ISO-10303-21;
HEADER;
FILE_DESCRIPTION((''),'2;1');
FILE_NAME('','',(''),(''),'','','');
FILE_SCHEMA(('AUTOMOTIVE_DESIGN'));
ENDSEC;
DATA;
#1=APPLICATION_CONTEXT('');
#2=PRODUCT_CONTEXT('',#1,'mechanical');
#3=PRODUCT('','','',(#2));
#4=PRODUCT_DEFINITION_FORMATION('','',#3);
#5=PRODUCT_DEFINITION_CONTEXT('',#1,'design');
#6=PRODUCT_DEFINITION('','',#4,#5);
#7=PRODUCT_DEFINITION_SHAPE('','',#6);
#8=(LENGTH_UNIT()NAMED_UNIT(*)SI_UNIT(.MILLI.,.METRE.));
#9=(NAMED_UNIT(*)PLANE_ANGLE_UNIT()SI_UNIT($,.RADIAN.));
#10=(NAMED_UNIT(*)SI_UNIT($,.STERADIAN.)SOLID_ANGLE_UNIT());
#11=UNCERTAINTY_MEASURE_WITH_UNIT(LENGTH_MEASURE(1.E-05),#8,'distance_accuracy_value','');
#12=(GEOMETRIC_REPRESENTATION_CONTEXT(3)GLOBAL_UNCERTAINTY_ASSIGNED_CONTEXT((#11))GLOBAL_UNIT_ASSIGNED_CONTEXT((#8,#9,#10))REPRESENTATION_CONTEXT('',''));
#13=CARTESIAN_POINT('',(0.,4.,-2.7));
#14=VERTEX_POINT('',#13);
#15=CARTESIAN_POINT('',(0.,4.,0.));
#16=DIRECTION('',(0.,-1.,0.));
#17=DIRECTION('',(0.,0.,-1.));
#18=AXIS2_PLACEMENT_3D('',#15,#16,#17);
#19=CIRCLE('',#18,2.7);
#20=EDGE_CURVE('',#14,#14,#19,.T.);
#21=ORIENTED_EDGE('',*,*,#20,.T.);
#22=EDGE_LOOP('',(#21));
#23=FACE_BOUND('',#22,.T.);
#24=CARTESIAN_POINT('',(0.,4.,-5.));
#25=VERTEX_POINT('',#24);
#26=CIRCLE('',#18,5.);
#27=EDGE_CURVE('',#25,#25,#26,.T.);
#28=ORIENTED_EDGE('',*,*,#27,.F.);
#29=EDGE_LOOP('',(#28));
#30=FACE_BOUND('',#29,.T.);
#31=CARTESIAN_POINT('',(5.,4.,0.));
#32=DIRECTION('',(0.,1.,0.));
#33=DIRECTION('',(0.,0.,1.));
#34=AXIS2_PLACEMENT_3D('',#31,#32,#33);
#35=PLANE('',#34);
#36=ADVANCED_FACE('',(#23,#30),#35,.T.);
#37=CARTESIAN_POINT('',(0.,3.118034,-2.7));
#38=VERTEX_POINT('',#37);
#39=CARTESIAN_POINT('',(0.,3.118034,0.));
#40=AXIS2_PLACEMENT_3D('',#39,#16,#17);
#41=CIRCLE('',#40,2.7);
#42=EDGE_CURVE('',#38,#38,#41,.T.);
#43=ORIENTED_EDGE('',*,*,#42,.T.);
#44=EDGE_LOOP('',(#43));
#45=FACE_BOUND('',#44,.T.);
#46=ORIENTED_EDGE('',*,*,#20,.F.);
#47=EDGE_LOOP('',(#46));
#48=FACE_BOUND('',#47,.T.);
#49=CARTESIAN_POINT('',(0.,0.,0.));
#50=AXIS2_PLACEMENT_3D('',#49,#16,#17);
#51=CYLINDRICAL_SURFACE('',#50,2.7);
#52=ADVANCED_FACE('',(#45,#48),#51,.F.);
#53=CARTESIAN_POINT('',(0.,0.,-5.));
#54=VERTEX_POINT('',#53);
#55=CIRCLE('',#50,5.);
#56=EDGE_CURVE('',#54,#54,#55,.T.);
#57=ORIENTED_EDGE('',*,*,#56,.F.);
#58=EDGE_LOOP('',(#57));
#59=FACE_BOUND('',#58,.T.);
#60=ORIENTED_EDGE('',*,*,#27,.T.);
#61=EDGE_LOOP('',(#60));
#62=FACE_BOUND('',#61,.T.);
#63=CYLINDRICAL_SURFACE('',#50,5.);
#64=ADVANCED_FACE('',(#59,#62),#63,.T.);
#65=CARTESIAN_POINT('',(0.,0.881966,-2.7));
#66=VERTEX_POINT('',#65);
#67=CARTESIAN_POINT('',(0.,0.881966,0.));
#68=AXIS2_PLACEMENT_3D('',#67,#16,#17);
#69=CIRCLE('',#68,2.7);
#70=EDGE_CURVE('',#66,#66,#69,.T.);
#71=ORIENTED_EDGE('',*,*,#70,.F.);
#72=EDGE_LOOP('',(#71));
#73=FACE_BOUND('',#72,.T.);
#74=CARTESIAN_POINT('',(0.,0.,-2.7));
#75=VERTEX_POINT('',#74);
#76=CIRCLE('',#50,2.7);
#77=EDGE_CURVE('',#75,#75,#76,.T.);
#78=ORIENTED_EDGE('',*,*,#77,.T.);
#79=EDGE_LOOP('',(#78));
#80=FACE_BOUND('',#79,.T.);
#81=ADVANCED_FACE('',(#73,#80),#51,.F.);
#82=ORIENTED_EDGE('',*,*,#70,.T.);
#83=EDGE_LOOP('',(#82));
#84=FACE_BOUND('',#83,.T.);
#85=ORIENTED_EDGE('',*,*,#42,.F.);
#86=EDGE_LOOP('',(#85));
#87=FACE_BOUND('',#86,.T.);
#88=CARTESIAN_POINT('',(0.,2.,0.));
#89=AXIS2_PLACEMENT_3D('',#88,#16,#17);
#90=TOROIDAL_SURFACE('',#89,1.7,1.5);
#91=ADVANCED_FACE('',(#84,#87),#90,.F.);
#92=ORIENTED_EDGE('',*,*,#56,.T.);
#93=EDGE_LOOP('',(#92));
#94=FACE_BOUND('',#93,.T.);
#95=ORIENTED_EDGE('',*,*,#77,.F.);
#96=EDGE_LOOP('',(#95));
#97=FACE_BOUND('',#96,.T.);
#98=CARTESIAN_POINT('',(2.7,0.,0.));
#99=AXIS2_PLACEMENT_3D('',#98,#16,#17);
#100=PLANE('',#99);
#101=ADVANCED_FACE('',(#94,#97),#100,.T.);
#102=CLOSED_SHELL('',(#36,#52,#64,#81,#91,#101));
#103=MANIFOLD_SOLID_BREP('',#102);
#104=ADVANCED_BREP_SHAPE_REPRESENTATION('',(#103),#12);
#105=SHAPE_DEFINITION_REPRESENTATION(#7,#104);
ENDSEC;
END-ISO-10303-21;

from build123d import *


with BuildPart() as part:
    # Sketch1 → Revolve1 (revolve)
    with BuildSketch(Plane.XY, mode=Mode.PRIVATE) as revolve1_sk:
        with BuildLine():
            Line((2.7, 4), (2.7, 3.118033989))
            ThreePointArc((2.7, 3.118033989), (3.2, 2), (2.7, 0.881966011))
            Line((2.7, 0.881966011), (2.7, 0))
            Line((2.7, 0), (5, 0))
            Line((5, 0), (5, 4))
            Line((5, 4), (2.7, 4))
        make_face()
    revolve(revolve1_sk.sketch.rotate(Axis((0, 0, 0), (0, 1, 0)), 90), axis=Axis((0, 0, 0), (0, 1, 0)))


solid = part.part
